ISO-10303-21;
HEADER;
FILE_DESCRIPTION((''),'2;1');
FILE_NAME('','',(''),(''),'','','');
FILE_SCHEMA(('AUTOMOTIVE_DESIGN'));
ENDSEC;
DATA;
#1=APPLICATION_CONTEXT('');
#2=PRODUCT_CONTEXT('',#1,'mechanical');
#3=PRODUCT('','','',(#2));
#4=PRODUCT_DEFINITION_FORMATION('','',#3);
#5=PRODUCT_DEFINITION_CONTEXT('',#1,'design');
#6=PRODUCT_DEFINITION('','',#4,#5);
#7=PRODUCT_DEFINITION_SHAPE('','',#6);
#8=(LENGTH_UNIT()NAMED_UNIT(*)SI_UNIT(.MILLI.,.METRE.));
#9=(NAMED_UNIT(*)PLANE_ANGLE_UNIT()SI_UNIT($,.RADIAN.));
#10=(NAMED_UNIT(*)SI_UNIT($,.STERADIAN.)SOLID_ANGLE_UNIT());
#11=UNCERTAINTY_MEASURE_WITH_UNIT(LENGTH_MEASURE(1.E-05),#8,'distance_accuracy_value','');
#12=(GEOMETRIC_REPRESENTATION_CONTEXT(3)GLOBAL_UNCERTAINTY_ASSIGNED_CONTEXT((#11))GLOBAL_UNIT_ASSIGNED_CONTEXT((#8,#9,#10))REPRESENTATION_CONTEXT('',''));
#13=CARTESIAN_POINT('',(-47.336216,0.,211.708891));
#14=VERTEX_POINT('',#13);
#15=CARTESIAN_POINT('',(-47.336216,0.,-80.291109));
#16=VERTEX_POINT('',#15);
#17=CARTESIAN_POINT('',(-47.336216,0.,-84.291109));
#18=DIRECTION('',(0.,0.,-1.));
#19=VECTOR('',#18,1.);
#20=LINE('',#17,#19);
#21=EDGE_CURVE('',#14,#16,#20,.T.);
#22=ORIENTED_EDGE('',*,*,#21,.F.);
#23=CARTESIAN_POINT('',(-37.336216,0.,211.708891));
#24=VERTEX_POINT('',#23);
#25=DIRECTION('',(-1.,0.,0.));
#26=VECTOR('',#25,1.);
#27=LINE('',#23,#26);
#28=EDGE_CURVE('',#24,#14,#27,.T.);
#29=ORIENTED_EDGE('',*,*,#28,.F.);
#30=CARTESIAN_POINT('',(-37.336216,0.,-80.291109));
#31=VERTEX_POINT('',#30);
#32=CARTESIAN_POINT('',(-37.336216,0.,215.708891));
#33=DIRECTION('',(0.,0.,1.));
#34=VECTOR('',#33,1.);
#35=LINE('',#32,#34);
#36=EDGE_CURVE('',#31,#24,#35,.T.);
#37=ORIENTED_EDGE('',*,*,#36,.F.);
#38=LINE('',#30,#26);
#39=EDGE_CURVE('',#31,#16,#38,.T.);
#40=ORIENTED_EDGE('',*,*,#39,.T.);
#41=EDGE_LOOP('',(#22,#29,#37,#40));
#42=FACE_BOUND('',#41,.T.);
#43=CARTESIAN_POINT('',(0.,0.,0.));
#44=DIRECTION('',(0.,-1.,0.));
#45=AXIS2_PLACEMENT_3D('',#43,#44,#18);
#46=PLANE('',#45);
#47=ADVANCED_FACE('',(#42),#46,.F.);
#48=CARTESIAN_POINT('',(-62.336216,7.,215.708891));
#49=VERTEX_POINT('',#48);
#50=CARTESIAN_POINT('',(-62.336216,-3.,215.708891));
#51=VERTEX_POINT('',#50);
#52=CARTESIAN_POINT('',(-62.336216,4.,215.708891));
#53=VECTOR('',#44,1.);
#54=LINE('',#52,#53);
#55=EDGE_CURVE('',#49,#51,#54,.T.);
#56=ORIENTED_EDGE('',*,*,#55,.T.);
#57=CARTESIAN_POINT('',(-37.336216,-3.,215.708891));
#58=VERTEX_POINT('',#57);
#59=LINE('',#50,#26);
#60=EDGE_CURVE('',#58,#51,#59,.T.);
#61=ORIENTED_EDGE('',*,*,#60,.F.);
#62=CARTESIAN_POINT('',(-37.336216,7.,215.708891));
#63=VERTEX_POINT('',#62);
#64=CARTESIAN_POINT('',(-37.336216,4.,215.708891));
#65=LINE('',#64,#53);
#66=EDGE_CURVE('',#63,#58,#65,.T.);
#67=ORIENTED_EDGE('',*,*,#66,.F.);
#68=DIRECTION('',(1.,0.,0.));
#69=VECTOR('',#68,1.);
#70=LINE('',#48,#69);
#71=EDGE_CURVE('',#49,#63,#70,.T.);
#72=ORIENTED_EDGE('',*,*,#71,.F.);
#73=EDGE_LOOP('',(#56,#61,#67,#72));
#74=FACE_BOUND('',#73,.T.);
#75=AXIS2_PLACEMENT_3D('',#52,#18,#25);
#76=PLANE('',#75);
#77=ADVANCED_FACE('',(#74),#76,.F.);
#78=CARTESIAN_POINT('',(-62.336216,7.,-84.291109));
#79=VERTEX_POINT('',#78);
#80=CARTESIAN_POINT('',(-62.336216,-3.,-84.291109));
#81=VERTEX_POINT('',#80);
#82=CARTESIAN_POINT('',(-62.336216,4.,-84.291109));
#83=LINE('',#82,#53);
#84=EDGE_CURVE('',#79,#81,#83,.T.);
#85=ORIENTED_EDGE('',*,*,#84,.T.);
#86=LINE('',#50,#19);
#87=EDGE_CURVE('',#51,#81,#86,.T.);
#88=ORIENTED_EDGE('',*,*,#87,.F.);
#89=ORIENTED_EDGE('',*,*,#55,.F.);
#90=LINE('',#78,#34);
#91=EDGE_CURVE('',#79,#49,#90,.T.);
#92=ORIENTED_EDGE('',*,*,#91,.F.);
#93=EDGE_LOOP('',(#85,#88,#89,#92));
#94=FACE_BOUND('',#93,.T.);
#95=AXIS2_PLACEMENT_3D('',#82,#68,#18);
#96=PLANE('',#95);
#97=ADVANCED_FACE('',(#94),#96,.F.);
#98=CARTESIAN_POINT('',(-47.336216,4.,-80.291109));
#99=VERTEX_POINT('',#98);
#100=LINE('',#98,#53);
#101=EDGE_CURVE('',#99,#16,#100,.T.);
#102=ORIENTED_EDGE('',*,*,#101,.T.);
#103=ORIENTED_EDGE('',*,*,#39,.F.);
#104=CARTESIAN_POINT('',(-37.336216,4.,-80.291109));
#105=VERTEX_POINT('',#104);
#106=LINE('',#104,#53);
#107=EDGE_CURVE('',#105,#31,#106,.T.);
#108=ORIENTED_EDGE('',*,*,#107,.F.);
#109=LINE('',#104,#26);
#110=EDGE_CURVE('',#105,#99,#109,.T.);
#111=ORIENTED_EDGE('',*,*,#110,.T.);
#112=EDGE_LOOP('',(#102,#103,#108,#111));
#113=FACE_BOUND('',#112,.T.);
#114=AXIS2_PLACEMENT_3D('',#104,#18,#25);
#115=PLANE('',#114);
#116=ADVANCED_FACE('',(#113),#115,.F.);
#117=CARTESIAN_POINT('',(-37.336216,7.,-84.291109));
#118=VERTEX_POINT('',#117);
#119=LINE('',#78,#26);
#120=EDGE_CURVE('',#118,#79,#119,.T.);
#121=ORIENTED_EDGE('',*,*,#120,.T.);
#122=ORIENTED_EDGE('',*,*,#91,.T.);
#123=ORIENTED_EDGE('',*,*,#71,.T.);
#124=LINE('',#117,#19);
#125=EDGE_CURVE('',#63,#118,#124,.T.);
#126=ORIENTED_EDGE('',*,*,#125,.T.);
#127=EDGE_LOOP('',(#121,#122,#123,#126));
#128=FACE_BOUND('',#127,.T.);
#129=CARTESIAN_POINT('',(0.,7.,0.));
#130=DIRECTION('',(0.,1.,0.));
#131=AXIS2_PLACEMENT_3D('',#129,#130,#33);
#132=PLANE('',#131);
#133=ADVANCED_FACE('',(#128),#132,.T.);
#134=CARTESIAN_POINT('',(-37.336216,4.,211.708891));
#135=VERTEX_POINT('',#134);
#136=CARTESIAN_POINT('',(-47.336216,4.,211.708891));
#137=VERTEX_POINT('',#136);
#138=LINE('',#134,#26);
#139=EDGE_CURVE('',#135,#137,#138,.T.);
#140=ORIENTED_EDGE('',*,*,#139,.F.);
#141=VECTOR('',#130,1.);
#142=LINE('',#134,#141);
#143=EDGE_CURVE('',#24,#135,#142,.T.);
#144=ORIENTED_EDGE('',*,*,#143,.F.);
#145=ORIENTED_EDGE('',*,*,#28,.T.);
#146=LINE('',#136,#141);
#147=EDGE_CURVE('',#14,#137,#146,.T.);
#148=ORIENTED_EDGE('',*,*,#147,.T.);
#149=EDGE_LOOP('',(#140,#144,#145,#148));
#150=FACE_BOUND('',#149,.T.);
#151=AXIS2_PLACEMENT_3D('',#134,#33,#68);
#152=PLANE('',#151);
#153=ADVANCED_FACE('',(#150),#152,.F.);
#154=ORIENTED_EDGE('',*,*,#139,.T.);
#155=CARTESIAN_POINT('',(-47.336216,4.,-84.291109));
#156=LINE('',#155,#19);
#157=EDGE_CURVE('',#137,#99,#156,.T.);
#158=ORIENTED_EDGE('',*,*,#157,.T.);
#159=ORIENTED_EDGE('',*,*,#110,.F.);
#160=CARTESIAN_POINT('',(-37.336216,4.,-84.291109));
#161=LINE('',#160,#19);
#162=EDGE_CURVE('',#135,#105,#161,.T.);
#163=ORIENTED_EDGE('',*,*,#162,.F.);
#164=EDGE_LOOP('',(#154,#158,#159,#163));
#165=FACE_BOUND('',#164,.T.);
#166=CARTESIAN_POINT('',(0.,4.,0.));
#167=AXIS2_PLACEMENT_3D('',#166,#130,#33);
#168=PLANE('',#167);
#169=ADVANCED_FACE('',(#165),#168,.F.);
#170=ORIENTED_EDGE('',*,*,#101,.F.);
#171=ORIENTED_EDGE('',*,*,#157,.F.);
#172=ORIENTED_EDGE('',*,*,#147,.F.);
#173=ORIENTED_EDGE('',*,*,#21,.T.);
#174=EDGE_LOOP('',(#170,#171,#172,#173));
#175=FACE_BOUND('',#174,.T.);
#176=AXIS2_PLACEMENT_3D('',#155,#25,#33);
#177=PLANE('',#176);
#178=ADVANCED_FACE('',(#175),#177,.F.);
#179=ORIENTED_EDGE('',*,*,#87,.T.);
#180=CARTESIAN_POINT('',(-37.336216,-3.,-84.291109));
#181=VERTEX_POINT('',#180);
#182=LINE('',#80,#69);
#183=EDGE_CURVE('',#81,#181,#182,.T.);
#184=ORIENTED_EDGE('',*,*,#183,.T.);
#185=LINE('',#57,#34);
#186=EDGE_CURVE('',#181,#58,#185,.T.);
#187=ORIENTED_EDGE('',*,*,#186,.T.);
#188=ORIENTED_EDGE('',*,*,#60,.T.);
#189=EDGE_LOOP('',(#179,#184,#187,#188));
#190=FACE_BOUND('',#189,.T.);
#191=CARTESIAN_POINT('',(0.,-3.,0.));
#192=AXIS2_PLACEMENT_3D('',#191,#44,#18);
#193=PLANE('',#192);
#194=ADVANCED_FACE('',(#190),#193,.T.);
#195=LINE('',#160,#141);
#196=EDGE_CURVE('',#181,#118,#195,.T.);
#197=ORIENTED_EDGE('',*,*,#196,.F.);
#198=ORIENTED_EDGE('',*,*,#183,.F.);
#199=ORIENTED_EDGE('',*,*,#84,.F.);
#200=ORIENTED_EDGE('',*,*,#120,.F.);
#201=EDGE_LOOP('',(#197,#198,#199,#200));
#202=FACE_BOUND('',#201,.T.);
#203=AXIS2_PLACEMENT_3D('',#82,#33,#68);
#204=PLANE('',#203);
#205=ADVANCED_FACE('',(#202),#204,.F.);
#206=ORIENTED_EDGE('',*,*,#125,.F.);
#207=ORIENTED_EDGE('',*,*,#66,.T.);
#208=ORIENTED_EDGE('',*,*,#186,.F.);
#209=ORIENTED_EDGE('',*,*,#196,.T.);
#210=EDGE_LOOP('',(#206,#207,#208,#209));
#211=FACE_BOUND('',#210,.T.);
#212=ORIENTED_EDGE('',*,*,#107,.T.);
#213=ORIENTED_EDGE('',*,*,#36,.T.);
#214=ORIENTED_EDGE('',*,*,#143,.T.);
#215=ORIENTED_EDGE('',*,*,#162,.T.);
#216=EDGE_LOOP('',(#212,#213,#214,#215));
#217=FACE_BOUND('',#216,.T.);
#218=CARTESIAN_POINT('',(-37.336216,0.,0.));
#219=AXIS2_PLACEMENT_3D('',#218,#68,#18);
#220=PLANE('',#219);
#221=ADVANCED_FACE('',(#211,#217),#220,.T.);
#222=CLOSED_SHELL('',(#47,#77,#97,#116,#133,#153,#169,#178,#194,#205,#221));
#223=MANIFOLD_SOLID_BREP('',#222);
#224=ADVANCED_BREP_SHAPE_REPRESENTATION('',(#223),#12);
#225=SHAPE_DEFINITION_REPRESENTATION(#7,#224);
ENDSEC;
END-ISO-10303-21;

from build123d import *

# Parameters (mm, degrees)
SKETCH_1_W      = 15
SKETCH_1_H      = 300
EXTRUDE_1_DEPTH = 4
SKETCH_2_W      = 4
SKETCH_2_H      = 4
EXTRUDE_2_DEPTH = 10
SKETCH_3_W      = 25
SKETCH_3_H      = 300
EXTRUDE_3_DEPTH = 3
SKETCH_4_W      = 25
SKETCH_4_H      = 300
EXTRUDE_4_DEPTH = 3


with BuildPart() as part:
    # 草图1 → 凸台-拉伸1 (new body)
    with BuildSketch(Plane(origin=(0, 0, 0), x_dir=(1, 0, 0), z_dir=(0, 1, 0))):
        with Locations((-54.836215811, -65.70889057)):
            Rectangle(SKETCH_1_W, SKETCH_1_H)
    extrude(amount=EXTRUDE_1_DEPTH)

    # 草图2 → 凸台-拉伸2 (add)
    with BuildSketch(Plane(origin=(-47.336215811, 0, 0), x_dir=(0, 0, -1), z_dir=(1, 0, 0))):
        with Locations((-213.70889057, 2)):
            Rectangle(SKETCH_2_W, SKETCH_2_H)
        with Locations((82.29110943, 2)):
            Rectangle(SKETCH_2_W, SKETCH_2_H)
    extrude(amount=EXTRUDE_2_DEPTH)

    # 草图3 → 凸台-拉伸3 (add)
    with BuildSketch(Plane(origin=(0, 4, 0), x_dir=(1, 0, 0), z_dir=(0, 1, 0))):
        with Locations((-49.836215811, -65.70889057)):
            Rectangle(SKETCH_3_W, SKETCH_3_H)
    extrude(amount=EXTRUDE_3_DEPTH)

    # 草图4 → 凸台-拉伸4 (add)
    with BuildSketch(Plane.XZ):
        with Locations((-49.836215811, 65.70889057)):
            Rectangle(SKETCH_4_W, SKETCH_4_H)
    extrude(amount=EXTRUDE_4_DEPTH)


solid = part.part
